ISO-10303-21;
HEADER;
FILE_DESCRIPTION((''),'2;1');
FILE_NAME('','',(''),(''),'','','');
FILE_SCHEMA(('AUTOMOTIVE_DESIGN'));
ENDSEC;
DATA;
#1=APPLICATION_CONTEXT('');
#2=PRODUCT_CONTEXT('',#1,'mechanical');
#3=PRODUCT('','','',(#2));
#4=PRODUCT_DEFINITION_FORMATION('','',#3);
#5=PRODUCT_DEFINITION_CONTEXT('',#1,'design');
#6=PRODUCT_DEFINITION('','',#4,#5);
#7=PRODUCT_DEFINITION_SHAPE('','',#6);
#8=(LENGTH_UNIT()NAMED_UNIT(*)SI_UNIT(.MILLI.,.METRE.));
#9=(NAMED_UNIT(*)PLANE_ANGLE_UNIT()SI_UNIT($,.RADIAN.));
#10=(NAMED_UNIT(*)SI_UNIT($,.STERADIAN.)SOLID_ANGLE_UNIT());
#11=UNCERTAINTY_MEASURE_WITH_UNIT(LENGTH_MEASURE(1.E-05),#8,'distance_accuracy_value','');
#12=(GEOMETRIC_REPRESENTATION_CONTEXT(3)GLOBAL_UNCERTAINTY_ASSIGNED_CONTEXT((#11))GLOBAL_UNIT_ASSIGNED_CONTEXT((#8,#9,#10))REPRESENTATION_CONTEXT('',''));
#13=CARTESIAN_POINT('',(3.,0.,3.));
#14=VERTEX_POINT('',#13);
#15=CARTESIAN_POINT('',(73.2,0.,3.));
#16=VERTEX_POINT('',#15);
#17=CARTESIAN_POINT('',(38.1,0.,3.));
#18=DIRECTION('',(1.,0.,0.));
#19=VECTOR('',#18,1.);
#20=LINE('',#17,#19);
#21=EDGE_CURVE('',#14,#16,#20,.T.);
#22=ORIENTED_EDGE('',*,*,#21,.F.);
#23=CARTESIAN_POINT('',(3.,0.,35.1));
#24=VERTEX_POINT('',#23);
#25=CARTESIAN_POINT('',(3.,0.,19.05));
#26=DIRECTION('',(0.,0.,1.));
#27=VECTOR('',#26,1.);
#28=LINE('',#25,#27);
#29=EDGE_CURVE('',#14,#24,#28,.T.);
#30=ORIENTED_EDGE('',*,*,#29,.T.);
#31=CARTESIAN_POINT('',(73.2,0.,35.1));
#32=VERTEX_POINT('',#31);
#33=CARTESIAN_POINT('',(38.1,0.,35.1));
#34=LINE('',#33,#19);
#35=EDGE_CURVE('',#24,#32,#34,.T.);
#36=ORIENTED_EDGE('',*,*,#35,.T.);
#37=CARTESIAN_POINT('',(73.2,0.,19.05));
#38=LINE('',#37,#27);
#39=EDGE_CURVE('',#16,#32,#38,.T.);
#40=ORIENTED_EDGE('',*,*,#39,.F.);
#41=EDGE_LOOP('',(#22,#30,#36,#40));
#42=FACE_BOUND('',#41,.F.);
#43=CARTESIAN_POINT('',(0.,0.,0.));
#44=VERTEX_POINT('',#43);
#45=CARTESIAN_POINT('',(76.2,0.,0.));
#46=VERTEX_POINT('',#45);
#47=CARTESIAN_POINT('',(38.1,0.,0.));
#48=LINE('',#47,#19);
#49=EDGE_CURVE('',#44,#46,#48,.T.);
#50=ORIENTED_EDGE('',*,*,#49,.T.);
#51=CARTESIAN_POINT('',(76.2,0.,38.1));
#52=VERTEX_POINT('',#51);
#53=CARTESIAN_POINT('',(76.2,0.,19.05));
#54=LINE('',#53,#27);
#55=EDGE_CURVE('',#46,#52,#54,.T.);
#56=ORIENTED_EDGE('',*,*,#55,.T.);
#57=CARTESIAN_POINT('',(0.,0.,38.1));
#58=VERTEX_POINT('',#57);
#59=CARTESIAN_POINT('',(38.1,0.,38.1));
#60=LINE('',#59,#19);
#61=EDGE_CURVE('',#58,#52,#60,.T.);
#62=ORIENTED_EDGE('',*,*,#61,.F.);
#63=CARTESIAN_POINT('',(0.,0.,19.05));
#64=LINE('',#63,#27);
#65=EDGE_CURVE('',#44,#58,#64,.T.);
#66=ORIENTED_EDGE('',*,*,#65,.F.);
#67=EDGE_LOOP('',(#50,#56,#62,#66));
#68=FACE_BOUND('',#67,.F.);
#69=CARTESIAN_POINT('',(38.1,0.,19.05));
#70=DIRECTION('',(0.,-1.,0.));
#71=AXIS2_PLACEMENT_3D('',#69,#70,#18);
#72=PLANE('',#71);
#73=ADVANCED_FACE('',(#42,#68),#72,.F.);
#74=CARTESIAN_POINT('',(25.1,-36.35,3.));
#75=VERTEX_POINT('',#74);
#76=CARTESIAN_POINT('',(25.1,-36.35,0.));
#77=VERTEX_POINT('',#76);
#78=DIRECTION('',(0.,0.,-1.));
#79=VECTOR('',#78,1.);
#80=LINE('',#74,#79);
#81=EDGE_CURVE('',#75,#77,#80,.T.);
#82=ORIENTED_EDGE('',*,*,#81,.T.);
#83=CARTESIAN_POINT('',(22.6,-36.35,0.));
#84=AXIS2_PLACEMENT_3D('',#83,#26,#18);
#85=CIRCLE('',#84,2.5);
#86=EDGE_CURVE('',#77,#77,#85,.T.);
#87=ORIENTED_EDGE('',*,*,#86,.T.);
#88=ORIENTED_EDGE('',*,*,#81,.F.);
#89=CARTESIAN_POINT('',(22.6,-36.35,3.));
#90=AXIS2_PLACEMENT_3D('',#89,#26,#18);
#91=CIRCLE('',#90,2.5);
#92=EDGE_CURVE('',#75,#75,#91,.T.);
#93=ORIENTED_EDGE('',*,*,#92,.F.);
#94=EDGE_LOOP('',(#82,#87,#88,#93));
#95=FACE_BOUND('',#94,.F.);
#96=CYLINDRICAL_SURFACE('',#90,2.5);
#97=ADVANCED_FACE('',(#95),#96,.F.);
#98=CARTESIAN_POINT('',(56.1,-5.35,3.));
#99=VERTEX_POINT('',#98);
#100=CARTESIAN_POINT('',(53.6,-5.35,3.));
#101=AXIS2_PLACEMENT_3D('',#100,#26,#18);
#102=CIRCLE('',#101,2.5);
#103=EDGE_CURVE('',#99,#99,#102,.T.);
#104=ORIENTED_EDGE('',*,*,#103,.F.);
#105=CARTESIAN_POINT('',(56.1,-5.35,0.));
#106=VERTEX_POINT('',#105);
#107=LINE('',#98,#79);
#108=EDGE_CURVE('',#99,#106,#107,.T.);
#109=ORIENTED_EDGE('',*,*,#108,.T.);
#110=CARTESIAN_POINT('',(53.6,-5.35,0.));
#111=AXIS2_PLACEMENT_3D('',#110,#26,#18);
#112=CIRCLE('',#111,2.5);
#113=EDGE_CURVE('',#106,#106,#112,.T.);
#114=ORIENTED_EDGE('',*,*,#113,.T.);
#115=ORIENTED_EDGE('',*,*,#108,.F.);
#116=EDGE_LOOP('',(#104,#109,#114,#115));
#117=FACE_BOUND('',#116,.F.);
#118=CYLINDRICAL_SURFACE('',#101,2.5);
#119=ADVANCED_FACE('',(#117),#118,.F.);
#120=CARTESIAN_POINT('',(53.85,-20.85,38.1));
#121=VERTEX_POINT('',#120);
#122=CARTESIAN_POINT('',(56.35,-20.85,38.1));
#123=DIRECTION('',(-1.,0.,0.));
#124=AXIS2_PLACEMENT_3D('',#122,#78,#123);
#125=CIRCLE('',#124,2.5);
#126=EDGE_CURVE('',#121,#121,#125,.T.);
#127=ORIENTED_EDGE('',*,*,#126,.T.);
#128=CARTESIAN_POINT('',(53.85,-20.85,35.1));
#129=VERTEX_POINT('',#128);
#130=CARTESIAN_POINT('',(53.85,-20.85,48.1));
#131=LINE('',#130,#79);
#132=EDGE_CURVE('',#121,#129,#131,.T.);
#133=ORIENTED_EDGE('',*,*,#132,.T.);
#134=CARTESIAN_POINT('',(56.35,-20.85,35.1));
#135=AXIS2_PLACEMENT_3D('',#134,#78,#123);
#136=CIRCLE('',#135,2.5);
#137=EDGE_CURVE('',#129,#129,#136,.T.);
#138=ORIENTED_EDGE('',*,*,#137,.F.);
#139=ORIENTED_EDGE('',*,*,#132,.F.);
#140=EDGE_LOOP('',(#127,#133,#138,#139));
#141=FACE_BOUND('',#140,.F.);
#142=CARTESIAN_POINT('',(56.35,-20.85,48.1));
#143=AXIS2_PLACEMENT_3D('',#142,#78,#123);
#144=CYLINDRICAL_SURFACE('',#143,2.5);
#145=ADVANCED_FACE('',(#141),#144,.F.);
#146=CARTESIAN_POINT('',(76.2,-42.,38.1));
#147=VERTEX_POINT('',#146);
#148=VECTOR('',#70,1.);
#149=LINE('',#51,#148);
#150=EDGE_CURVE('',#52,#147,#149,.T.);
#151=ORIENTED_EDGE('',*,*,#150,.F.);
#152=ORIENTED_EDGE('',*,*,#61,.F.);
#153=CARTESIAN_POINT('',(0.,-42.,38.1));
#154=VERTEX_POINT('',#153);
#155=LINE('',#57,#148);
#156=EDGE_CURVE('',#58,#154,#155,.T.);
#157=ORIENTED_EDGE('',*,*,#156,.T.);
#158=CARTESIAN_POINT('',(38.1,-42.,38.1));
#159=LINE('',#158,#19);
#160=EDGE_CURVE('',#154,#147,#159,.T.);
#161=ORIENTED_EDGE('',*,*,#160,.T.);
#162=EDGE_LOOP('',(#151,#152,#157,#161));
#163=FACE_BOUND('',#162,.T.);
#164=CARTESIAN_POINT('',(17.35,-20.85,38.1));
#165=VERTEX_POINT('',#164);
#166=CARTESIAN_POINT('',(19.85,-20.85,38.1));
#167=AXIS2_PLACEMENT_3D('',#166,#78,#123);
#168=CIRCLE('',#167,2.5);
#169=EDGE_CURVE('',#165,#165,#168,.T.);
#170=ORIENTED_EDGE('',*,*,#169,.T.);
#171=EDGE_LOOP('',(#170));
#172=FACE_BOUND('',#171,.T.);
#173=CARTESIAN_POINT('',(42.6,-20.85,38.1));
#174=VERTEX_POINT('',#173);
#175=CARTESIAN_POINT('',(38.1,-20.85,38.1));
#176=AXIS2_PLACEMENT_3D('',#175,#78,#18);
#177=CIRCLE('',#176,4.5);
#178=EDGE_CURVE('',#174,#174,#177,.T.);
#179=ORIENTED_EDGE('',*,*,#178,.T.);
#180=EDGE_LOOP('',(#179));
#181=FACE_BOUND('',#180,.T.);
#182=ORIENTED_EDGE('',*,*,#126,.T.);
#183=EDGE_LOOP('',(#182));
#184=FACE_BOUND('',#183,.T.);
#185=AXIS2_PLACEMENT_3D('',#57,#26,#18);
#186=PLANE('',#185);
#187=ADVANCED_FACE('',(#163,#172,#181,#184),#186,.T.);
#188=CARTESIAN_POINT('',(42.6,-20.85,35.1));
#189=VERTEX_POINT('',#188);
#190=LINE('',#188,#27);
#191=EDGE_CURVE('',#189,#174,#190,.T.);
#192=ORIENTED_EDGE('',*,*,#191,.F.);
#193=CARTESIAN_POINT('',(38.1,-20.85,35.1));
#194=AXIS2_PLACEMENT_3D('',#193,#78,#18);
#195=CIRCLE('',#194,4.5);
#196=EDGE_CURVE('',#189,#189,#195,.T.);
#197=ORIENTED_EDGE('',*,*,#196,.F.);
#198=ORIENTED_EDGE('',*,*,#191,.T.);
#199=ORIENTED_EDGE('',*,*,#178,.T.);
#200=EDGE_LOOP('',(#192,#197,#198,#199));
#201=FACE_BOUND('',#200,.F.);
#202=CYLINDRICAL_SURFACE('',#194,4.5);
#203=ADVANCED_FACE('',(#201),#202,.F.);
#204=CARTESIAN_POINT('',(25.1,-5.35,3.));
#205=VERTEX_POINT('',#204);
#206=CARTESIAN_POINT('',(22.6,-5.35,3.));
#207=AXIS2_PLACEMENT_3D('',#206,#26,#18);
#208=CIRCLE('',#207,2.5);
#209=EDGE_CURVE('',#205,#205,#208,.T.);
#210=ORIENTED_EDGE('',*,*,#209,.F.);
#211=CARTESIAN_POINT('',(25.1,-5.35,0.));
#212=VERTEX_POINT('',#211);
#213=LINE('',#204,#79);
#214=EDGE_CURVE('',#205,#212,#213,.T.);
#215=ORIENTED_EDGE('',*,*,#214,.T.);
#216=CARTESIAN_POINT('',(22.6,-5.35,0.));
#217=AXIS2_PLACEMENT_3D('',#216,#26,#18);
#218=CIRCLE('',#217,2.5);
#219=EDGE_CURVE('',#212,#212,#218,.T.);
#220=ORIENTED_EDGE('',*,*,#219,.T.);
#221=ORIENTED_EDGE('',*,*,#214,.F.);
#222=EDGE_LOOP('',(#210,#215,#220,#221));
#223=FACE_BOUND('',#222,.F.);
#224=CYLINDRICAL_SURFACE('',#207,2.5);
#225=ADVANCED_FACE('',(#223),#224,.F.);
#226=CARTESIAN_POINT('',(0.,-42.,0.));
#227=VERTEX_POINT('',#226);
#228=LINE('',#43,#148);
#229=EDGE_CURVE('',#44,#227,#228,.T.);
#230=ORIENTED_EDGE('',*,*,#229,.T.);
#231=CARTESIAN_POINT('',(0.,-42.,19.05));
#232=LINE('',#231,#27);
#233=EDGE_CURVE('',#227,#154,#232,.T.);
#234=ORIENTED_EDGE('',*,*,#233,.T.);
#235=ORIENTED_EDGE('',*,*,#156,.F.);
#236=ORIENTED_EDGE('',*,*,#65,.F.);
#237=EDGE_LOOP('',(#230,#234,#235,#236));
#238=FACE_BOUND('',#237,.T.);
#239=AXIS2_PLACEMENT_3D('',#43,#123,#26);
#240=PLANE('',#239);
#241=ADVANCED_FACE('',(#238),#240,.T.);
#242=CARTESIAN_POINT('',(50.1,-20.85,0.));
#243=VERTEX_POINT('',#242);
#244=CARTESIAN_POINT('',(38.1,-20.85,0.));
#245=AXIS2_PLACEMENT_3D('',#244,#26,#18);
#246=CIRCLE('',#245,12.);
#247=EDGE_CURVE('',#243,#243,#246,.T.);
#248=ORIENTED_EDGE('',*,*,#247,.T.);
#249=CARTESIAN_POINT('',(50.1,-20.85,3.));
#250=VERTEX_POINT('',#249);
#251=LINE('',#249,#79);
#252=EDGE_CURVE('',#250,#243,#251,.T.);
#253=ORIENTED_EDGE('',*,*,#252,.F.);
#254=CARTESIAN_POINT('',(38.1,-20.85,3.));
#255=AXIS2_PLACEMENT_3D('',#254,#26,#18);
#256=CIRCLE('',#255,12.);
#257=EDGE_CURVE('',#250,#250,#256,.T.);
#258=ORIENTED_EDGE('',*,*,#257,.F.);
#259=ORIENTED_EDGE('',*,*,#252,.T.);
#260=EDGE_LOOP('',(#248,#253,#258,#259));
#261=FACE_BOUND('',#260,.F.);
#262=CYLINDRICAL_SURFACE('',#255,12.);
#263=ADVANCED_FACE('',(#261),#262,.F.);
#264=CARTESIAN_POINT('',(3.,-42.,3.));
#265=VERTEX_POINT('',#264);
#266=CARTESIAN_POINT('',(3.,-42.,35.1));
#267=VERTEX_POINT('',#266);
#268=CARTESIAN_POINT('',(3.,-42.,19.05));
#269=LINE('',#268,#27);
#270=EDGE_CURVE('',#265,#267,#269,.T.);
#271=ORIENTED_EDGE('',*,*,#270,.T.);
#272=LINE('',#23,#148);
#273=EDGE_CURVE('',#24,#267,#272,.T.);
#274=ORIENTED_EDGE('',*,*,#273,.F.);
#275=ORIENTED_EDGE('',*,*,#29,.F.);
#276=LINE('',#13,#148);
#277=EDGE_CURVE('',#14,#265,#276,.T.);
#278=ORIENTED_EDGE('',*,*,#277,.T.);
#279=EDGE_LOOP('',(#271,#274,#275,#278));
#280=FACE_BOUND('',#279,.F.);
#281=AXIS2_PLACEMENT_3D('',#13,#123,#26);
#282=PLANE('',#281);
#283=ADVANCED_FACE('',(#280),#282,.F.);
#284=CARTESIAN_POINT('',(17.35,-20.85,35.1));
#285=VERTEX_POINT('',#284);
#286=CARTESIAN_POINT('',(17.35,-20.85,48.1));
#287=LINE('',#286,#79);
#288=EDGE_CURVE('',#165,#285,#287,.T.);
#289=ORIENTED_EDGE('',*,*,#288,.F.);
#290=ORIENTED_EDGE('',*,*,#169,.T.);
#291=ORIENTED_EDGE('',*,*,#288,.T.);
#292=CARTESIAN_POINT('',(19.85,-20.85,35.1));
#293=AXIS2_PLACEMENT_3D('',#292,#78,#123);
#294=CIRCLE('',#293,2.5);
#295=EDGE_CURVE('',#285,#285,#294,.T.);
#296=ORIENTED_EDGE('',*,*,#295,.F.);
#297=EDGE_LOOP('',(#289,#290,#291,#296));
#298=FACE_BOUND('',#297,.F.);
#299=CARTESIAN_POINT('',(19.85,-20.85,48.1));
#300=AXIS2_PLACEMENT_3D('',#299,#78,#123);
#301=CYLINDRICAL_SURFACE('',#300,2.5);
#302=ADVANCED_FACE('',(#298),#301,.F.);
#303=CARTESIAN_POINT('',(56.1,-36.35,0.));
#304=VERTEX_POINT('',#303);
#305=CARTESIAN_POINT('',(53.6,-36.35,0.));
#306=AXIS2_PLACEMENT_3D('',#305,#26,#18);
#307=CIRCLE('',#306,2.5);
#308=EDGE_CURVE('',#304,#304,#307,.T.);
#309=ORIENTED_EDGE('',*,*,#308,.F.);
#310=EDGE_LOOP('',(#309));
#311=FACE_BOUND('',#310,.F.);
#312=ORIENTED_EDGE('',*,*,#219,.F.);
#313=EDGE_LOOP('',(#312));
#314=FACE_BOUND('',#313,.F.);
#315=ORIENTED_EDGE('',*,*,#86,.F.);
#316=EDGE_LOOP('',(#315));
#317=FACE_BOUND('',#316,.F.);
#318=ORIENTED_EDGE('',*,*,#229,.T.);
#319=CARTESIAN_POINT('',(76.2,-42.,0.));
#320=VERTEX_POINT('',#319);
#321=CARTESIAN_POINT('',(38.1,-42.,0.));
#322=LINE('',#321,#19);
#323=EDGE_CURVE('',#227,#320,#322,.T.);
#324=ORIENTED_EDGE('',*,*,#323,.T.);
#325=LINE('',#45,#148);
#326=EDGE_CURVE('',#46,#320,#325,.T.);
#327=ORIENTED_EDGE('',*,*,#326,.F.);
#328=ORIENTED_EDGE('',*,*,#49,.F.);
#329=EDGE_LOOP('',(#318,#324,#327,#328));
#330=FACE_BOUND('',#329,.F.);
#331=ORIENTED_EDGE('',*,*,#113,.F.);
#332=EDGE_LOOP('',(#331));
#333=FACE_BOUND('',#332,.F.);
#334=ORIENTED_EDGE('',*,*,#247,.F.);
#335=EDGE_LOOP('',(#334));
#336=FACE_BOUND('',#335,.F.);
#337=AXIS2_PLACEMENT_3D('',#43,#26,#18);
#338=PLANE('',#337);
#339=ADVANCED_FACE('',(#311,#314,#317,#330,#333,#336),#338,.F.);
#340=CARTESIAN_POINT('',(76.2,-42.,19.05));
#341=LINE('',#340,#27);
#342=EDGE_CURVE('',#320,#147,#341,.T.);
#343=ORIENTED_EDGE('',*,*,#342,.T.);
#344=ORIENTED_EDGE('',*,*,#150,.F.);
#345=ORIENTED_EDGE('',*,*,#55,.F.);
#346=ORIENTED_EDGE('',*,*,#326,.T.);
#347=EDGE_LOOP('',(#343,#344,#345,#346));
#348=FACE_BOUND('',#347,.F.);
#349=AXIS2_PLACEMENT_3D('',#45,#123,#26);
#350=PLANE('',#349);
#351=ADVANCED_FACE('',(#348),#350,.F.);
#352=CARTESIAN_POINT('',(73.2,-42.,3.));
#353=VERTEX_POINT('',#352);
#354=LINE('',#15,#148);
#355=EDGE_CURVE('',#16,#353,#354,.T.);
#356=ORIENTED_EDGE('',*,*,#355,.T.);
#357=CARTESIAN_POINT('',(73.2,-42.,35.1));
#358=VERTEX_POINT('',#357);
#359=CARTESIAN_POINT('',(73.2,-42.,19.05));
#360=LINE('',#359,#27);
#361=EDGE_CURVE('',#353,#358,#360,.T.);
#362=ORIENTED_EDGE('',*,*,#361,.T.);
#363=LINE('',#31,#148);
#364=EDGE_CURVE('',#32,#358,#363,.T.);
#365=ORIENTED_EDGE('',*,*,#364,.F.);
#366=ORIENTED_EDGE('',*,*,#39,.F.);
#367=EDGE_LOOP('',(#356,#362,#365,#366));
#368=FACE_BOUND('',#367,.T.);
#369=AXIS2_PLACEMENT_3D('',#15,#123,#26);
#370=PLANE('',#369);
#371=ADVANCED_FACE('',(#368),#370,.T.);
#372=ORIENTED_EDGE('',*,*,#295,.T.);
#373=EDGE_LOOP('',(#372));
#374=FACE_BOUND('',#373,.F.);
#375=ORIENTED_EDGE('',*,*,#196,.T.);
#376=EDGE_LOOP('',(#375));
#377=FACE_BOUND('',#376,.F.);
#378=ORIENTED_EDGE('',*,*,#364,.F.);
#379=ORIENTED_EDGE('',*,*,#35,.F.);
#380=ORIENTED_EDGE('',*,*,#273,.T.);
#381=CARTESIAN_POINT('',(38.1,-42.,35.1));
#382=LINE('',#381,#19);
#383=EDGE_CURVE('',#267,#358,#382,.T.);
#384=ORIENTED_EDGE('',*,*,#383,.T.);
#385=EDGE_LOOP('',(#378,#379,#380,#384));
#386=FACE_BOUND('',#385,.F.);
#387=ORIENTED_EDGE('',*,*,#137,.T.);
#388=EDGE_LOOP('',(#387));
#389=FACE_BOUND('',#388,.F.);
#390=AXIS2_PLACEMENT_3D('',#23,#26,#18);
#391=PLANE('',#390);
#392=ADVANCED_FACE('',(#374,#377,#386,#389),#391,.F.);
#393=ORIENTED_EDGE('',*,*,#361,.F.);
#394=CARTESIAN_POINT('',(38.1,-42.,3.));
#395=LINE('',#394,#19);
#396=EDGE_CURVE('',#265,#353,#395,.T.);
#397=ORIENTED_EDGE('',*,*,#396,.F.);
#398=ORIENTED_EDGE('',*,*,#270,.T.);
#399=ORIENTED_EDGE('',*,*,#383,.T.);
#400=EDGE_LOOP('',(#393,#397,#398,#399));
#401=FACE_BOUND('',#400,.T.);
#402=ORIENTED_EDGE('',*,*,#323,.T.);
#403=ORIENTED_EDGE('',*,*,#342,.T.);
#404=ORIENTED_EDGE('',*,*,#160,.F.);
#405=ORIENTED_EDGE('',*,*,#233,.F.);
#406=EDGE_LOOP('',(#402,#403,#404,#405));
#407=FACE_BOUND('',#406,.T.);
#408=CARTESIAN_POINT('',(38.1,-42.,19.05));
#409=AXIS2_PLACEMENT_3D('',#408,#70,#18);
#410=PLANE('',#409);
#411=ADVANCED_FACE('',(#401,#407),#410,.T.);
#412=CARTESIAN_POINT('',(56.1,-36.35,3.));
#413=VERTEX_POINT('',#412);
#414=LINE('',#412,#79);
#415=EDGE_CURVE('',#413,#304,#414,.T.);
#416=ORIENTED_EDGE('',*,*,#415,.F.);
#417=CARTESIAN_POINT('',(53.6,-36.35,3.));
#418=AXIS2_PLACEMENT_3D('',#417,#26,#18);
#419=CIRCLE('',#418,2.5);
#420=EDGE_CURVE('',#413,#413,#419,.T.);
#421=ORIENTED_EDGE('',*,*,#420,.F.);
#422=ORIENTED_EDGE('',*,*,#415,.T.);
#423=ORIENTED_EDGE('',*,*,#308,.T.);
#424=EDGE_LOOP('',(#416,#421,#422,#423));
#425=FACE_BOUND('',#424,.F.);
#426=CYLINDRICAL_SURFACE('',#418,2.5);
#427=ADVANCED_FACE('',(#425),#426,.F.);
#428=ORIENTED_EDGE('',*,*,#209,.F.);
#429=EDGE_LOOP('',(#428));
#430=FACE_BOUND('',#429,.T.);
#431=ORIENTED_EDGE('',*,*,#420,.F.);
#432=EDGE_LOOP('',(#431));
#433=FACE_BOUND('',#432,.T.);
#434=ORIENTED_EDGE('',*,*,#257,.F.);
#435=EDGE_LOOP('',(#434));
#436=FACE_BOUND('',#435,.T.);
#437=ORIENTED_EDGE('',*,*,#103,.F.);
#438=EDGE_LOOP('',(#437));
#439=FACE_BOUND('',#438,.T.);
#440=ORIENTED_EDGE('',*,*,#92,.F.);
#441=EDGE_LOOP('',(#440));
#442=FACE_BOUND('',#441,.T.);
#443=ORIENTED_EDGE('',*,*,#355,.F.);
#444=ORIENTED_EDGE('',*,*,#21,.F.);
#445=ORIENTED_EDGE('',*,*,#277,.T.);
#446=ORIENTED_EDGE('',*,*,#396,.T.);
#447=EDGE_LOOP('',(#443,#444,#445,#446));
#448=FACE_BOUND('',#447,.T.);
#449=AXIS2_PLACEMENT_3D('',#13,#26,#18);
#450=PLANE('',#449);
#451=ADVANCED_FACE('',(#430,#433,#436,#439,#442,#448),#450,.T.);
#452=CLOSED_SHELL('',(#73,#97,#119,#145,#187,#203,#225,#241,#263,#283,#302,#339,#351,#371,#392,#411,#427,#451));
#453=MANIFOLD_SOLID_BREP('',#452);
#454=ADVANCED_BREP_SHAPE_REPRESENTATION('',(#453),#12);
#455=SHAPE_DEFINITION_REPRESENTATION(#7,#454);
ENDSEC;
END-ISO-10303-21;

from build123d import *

# Parameters (mm, degrees)
F0_W     = 76.2
F0_H     = 38.1
F0_W_2   = 70.2
F0_H_2   = 32.1
F1_DEPTH = 42
F2_R     = 2.5
F2_R_2   = 12
F3_DEPTH = 5
F4_R     = 4.5
F5_DEPTH = 5
F7_D     = 5
F7_DEPTH = 10


with BuildPart() as f1:
    # F0 (on Front) → F1 (new body)
    with BuildSketch(Plane.XZ):
        with Locations((38.1, 19.05)):
            Rectangle(F0_W, F0_H)
        with Locations((38.1, 19.05)):
            Rectangle(F0_W_2, F0_H_2, mode=Mode.SUBTRACT)
    extrude(amount=F1_DEPTH)

    # F2 (on face) → F3 (cut)
    with BuildSketch(Plane.XY.offset(3)):
        with Locations((53.6, -5.35)):
            Circle(F2_R)
        with Locations((53.6, -36.35)):
            Circle(F2_R)
        with Locations((22.6, -36.35)):
            Circle(F2_R)
        with Locations((22.6, -5.35)):
            Circle(F2_R)
        with Locations((38.1, -20.85)):
            Circle(F2_R_2)
    extrude(amount=-F3_DEPTH, mode=Mode.SUBTRACT)

    # F4 (on face) → F5 (cut)
    with BuildSketch(Plane(origin=(0, 0, 35.1), x_dir=(1, 0, 0), z_dir=(0, 0, -1))):
        with Locations((38.1, 20.85)):
            Circle(F4_R)
    extrude(amount=-F5_DEPTH, mode=Mode.SUBTRACT)

    # F7
    with Locations(Plane.XY.offset(38.1)):
        with Locations((19.85, -20.85), (56.35, -20.85)):
            Hole(F7_D / 2, depth=F7_DEPTH)


solid = f1.part
